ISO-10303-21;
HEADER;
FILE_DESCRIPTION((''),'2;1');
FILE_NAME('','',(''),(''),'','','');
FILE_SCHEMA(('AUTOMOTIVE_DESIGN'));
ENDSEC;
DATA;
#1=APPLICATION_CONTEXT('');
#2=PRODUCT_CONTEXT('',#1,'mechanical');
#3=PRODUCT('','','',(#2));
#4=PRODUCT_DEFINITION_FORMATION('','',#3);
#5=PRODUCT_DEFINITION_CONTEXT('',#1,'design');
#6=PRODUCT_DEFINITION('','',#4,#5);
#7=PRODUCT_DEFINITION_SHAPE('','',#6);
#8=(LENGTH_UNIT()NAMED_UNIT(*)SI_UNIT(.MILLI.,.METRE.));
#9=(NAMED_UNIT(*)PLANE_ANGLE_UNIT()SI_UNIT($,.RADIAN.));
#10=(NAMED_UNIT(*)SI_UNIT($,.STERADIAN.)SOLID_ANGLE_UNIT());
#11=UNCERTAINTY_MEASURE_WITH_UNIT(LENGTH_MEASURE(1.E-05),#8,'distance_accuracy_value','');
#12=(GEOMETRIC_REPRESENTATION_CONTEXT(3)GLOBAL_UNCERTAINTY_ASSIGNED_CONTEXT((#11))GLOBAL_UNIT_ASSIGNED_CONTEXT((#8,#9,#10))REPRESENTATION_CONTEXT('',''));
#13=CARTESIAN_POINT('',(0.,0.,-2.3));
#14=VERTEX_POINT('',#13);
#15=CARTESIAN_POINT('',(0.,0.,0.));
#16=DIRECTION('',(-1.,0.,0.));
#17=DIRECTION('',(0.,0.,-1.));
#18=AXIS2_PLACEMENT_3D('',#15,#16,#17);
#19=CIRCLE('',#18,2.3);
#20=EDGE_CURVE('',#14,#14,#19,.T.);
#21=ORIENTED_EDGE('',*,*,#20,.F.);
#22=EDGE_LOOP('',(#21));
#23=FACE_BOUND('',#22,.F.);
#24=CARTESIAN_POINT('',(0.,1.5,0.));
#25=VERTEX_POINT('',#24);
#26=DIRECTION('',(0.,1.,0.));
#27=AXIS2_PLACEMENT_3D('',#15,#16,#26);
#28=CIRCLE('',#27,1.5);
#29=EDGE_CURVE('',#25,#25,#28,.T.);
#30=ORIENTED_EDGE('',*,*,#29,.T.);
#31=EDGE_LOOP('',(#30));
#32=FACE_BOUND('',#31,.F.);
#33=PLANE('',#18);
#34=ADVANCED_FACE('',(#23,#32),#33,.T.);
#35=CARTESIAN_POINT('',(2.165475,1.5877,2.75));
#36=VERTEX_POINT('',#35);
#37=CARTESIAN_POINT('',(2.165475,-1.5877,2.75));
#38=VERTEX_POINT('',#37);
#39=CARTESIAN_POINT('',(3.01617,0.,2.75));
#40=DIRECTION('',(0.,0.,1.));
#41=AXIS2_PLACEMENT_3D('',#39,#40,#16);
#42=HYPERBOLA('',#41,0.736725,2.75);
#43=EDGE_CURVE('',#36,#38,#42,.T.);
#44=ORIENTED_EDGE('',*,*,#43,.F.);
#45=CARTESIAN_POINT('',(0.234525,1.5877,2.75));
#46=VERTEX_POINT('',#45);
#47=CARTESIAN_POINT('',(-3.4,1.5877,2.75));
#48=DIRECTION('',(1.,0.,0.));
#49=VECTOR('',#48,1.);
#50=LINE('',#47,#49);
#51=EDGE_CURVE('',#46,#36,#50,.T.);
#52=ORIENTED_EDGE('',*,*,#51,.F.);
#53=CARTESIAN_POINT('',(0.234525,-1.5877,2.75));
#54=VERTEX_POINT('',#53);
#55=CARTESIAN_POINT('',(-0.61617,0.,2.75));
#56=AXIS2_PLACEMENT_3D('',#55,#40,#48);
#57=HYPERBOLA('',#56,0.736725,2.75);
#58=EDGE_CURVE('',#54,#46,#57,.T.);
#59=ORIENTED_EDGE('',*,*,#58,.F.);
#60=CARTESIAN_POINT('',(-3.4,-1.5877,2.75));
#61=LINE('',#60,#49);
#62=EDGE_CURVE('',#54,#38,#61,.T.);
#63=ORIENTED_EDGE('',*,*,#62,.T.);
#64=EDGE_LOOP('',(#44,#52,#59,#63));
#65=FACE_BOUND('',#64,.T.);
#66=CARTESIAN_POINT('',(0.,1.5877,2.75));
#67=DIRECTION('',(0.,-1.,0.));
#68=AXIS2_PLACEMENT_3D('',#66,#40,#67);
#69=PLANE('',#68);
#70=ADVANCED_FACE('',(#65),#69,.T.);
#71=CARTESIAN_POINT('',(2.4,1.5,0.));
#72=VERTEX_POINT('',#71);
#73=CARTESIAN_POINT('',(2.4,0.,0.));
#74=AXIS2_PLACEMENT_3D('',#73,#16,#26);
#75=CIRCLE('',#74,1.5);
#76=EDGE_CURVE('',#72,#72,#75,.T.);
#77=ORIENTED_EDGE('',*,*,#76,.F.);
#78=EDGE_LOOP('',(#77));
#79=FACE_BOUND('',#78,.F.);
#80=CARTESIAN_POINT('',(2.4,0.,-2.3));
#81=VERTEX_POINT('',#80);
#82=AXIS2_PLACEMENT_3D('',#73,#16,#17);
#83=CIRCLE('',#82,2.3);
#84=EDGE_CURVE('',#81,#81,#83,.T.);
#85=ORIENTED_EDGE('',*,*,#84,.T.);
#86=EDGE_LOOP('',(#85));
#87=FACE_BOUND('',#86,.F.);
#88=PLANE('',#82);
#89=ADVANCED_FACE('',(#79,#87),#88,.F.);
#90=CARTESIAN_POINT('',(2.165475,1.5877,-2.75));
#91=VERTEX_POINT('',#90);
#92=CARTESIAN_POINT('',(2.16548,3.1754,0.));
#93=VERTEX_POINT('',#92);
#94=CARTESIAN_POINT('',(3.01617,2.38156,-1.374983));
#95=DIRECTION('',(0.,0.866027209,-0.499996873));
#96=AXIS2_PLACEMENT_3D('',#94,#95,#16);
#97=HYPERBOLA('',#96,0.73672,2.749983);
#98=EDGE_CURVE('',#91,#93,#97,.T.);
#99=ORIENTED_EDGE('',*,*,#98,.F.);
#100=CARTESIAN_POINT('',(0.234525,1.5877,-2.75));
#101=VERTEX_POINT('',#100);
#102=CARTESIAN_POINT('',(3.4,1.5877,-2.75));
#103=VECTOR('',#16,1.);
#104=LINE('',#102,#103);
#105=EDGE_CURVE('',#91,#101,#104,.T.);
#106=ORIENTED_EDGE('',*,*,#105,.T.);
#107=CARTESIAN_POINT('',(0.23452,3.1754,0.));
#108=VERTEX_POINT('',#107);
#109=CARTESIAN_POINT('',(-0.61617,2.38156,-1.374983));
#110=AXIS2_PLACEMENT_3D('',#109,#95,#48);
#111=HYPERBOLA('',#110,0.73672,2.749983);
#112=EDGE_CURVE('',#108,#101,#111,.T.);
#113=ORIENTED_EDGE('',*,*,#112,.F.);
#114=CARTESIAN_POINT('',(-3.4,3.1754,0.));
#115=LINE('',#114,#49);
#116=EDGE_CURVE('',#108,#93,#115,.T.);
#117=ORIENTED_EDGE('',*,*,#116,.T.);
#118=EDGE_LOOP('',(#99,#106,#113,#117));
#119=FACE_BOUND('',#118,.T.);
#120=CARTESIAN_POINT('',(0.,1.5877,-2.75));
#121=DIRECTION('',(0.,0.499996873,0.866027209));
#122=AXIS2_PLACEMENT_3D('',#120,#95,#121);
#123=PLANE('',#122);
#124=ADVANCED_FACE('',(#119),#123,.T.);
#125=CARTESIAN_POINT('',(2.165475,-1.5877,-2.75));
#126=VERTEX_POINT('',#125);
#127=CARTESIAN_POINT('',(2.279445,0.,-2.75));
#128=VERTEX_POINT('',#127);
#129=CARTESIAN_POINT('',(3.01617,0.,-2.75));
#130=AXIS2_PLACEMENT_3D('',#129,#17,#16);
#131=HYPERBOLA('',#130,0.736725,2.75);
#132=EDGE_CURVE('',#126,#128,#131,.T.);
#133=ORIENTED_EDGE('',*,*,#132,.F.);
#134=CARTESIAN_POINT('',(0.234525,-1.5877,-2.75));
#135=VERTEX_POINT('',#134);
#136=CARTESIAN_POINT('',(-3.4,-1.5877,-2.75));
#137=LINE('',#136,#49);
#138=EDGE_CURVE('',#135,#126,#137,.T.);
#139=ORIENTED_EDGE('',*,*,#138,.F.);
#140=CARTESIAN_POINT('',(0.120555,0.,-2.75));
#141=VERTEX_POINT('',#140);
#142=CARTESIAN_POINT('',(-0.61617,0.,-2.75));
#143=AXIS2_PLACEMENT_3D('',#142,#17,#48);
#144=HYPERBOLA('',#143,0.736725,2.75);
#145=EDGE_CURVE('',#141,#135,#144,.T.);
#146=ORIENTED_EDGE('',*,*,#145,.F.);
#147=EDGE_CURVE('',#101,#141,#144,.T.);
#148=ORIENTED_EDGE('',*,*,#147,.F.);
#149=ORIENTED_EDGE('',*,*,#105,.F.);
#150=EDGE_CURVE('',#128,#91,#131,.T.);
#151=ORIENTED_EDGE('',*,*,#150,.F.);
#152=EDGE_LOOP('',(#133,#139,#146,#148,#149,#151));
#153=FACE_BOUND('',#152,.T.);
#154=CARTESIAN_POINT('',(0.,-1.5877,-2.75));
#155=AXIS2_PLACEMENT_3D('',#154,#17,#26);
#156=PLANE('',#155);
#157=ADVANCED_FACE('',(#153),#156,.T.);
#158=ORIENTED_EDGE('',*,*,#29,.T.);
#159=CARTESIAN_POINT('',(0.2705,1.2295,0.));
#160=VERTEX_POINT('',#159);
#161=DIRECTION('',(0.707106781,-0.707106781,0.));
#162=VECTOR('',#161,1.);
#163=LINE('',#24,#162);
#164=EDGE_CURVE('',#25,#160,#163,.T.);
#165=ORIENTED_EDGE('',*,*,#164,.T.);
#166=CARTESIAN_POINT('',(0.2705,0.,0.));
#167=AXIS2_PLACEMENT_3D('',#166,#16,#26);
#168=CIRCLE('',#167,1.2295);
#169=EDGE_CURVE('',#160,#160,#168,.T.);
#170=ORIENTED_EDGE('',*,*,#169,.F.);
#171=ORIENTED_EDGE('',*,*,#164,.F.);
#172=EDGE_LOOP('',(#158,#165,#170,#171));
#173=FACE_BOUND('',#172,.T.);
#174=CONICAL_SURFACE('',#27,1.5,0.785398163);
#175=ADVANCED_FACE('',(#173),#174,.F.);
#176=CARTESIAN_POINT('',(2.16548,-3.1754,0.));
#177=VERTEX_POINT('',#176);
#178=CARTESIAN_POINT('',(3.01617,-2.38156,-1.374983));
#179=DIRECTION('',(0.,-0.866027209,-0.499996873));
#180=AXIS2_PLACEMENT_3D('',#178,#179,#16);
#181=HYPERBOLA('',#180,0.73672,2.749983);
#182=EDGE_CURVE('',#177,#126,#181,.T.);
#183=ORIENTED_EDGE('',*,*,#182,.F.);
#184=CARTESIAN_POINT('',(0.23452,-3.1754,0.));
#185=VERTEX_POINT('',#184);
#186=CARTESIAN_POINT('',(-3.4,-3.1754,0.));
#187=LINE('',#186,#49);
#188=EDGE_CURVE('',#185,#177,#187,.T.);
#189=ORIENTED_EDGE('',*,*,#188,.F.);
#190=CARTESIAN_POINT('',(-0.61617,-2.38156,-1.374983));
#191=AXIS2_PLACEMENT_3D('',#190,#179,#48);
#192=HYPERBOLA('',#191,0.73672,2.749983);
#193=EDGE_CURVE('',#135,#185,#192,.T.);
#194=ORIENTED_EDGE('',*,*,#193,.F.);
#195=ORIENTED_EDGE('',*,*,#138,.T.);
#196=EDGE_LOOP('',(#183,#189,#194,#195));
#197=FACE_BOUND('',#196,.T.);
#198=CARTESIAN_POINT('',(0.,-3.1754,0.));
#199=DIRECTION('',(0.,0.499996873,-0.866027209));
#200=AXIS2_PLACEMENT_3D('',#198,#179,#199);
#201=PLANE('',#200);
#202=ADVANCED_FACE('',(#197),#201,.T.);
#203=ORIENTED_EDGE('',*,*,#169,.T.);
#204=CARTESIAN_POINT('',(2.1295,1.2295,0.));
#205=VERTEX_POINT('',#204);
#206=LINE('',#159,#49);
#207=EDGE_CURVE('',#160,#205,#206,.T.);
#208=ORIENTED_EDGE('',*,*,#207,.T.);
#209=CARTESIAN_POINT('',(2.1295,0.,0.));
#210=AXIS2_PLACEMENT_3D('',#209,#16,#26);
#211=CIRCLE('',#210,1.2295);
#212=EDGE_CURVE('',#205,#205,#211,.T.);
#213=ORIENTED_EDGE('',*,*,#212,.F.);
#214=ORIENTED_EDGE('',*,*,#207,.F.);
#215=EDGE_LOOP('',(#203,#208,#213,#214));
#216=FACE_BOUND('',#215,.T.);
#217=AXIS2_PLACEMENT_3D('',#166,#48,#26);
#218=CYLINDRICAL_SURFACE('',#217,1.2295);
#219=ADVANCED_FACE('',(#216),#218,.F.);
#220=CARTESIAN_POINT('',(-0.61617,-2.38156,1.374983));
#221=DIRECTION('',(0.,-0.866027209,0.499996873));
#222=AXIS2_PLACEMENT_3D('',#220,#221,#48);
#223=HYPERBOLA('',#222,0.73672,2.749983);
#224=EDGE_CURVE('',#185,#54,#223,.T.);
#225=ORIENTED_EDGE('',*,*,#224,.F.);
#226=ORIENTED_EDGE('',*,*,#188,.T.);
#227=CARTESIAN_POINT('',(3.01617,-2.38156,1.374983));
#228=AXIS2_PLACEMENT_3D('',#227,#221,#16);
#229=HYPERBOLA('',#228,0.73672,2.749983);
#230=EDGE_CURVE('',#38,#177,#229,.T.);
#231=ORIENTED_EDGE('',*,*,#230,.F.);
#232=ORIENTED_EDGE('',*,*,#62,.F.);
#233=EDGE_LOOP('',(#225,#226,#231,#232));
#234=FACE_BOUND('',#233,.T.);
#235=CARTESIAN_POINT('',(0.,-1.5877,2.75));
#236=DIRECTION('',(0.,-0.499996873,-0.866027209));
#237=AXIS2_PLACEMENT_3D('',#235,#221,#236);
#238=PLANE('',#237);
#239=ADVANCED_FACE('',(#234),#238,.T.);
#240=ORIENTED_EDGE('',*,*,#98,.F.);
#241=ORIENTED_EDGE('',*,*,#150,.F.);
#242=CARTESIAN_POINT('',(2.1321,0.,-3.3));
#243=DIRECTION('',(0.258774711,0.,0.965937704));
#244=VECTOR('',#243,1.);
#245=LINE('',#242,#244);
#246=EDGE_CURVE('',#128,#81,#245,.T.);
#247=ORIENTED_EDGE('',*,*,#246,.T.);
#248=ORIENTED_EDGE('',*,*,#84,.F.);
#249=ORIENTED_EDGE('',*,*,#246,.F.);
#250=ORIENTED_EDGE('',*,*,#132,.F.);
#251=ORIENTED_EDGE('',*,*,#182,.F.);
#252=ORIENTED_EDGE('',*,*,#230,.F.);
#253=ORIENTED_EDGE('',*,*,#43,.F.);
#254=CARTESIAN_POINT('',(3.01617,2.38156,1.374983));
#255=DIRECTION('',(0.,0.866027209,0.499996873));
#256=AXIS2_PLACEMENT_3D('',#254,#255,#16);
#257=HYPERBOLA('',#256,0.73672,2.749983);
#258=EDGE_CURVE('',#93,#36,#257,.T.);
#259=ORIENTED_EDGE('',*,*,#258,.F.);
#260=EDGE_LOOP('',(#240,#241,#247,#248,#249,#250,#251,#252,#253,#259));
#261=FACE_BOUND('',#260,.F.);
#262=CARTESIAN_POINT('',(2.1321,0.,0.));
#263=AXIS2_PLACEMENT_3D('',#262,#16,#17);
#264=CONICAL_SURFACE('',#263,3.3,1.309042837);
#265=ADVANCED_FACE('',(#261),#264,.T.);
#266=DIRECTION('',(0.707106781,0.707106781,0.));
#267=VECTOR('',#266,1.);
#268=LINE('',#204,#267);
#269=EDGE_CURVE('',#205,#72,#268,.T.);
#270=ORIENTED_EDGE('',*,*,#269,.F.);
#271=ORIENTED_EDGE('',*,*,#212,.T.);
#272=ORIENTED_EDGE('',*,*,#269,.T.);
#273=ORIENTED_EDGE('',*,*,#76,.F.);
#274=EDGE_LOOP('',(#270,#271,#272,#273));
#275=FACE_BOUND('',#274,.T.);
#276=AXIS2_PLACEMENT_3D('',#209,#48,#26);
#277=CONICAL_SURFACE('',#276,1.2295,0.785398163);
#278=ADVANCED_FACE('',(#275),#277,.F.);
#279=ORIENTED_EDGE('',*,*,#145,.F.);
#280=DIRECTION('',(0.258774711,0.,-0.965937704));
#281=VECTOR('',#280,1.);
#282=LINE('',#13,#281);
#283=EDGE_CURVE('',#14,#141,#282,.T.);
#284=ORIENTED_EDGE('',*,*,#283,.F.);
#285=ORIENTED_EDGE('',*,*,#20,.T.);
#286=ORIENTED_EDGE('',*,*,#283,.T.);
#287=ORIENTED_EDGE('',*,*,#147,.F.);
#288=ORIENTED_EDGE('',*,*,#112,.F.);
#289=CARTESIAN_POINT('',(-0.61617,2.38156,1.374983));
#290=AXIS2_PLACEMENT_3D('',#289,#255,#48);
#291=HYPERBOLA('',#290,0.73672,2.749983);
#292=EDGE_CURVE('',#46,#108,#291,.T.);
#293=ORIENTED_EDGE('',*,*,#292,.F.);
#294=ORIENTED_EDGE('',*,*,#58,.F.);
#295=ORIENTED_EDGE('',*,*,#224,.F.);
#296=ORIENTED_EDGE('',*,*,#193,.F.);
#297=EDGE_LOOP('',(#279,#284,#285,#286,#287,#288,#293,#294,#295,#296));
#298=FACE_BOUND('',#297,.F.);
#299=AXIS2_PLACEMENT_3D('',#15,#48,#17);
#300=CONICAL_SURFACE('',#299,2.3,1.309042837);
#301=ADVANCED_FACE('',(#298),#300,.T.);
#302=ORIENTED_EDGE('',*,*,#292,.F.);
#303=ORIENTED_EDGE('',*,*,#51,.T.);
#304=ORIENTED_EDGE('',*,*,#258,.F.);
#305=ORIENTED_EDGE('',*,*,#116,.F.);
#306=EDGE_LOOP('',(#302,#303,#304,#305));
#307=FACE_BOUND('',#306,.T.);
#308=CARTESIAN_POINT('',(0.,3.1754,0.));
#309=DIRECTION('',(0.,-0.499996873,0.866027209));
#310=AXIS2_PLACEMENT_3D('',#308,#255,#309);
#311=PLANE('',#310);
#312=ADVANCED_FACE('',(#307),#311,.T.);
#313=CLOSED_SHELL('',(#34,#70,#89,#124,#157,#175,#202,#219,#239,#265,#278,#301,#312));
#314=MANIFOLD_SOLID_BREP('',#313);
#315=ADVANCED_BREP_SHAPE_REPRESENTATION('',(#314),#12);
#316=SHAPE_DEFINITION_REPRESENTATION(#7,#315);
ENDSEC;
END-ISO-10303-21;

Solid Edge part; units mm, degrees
sketch "Sketch1" plane through (0, 0, 0) normal (0, -1, 0) x (1, 0, 0)
  line L0 (0, 0) -> (0, -2.3)
  line L1 (0, -2.3) -> (0.2679, -3.3)
  line L2 (0.2679, -3.3) -> (2.1321, -3.3)
  line L3 (2.1321, -3.3) -> (2.4, -2.3)
  line L4 (2.4, -2.3) -> (2.4, 0)
  line L5 (2.4, 0) -> (0, 0)
revolve "RevolvedProtrusion1" add sketch "Sketch1" angle 360 about axis through (2.4, 0, 0) along (-1, 0, 0)
sketch "Sketch2" plane through (0, 0, 0) normal (1, 0, 0) x (0, 1, 0)
  line L0 (11, 11) -> (-11, 11)
  line L1 (-11, 11) -> (-11, -11)
  line L2 (-11, -11) -> (11, -11)
  line L3 (11, -11) -> (11, 11)
  line L4 (1.5877, 2.75) -> (-1.5877, 2.75)
  line L5 (-1.5877, 2.75) -> (-3.1754, 0)
  line L6 (-3.1754, 0) -> (-1.5877, -2.75)
  line L7 (-1.5877, -2.75) -> (1.5877, -2.75)
  line L8 (1.5877, -2.75) -> (3.1754, 0)
  line L9 (3.1754, 0) -> (1.5877, 2.75)
extrude "ExtrudedCutout_1" cut sketch "Sketch2" against normal blind 3.4 and the other way blind 3.4
sketch "Sketch3" plane through (0, 0, 0) normal (0, 0, 1) x (1, 0, 0)
  line L0 (0, 0) -> (0, 1.5)
  line L1 (0, 1.5) -> (0.2705, 1.2295)
  line L2 (0.2705, 1.2295) -> (2.1295, 1.2295)
  line L3 (2.1295, 1.2295) -> (2.4, 1.5)
  line L4 (2.4, 1.5) -> (2.4, 0)
  line L5 (2.4, 0) -> (0, 0)
revolve "RevolvedCutout1" cut sketch "Sketch3" angle 360 about axis through (2.4, 0, 0) along (-1, 0, 0)
cosmetic_thread "Thread1" size "M3"
properties part number "Hexagon nut - style 1 JIS B 1181 M3"
